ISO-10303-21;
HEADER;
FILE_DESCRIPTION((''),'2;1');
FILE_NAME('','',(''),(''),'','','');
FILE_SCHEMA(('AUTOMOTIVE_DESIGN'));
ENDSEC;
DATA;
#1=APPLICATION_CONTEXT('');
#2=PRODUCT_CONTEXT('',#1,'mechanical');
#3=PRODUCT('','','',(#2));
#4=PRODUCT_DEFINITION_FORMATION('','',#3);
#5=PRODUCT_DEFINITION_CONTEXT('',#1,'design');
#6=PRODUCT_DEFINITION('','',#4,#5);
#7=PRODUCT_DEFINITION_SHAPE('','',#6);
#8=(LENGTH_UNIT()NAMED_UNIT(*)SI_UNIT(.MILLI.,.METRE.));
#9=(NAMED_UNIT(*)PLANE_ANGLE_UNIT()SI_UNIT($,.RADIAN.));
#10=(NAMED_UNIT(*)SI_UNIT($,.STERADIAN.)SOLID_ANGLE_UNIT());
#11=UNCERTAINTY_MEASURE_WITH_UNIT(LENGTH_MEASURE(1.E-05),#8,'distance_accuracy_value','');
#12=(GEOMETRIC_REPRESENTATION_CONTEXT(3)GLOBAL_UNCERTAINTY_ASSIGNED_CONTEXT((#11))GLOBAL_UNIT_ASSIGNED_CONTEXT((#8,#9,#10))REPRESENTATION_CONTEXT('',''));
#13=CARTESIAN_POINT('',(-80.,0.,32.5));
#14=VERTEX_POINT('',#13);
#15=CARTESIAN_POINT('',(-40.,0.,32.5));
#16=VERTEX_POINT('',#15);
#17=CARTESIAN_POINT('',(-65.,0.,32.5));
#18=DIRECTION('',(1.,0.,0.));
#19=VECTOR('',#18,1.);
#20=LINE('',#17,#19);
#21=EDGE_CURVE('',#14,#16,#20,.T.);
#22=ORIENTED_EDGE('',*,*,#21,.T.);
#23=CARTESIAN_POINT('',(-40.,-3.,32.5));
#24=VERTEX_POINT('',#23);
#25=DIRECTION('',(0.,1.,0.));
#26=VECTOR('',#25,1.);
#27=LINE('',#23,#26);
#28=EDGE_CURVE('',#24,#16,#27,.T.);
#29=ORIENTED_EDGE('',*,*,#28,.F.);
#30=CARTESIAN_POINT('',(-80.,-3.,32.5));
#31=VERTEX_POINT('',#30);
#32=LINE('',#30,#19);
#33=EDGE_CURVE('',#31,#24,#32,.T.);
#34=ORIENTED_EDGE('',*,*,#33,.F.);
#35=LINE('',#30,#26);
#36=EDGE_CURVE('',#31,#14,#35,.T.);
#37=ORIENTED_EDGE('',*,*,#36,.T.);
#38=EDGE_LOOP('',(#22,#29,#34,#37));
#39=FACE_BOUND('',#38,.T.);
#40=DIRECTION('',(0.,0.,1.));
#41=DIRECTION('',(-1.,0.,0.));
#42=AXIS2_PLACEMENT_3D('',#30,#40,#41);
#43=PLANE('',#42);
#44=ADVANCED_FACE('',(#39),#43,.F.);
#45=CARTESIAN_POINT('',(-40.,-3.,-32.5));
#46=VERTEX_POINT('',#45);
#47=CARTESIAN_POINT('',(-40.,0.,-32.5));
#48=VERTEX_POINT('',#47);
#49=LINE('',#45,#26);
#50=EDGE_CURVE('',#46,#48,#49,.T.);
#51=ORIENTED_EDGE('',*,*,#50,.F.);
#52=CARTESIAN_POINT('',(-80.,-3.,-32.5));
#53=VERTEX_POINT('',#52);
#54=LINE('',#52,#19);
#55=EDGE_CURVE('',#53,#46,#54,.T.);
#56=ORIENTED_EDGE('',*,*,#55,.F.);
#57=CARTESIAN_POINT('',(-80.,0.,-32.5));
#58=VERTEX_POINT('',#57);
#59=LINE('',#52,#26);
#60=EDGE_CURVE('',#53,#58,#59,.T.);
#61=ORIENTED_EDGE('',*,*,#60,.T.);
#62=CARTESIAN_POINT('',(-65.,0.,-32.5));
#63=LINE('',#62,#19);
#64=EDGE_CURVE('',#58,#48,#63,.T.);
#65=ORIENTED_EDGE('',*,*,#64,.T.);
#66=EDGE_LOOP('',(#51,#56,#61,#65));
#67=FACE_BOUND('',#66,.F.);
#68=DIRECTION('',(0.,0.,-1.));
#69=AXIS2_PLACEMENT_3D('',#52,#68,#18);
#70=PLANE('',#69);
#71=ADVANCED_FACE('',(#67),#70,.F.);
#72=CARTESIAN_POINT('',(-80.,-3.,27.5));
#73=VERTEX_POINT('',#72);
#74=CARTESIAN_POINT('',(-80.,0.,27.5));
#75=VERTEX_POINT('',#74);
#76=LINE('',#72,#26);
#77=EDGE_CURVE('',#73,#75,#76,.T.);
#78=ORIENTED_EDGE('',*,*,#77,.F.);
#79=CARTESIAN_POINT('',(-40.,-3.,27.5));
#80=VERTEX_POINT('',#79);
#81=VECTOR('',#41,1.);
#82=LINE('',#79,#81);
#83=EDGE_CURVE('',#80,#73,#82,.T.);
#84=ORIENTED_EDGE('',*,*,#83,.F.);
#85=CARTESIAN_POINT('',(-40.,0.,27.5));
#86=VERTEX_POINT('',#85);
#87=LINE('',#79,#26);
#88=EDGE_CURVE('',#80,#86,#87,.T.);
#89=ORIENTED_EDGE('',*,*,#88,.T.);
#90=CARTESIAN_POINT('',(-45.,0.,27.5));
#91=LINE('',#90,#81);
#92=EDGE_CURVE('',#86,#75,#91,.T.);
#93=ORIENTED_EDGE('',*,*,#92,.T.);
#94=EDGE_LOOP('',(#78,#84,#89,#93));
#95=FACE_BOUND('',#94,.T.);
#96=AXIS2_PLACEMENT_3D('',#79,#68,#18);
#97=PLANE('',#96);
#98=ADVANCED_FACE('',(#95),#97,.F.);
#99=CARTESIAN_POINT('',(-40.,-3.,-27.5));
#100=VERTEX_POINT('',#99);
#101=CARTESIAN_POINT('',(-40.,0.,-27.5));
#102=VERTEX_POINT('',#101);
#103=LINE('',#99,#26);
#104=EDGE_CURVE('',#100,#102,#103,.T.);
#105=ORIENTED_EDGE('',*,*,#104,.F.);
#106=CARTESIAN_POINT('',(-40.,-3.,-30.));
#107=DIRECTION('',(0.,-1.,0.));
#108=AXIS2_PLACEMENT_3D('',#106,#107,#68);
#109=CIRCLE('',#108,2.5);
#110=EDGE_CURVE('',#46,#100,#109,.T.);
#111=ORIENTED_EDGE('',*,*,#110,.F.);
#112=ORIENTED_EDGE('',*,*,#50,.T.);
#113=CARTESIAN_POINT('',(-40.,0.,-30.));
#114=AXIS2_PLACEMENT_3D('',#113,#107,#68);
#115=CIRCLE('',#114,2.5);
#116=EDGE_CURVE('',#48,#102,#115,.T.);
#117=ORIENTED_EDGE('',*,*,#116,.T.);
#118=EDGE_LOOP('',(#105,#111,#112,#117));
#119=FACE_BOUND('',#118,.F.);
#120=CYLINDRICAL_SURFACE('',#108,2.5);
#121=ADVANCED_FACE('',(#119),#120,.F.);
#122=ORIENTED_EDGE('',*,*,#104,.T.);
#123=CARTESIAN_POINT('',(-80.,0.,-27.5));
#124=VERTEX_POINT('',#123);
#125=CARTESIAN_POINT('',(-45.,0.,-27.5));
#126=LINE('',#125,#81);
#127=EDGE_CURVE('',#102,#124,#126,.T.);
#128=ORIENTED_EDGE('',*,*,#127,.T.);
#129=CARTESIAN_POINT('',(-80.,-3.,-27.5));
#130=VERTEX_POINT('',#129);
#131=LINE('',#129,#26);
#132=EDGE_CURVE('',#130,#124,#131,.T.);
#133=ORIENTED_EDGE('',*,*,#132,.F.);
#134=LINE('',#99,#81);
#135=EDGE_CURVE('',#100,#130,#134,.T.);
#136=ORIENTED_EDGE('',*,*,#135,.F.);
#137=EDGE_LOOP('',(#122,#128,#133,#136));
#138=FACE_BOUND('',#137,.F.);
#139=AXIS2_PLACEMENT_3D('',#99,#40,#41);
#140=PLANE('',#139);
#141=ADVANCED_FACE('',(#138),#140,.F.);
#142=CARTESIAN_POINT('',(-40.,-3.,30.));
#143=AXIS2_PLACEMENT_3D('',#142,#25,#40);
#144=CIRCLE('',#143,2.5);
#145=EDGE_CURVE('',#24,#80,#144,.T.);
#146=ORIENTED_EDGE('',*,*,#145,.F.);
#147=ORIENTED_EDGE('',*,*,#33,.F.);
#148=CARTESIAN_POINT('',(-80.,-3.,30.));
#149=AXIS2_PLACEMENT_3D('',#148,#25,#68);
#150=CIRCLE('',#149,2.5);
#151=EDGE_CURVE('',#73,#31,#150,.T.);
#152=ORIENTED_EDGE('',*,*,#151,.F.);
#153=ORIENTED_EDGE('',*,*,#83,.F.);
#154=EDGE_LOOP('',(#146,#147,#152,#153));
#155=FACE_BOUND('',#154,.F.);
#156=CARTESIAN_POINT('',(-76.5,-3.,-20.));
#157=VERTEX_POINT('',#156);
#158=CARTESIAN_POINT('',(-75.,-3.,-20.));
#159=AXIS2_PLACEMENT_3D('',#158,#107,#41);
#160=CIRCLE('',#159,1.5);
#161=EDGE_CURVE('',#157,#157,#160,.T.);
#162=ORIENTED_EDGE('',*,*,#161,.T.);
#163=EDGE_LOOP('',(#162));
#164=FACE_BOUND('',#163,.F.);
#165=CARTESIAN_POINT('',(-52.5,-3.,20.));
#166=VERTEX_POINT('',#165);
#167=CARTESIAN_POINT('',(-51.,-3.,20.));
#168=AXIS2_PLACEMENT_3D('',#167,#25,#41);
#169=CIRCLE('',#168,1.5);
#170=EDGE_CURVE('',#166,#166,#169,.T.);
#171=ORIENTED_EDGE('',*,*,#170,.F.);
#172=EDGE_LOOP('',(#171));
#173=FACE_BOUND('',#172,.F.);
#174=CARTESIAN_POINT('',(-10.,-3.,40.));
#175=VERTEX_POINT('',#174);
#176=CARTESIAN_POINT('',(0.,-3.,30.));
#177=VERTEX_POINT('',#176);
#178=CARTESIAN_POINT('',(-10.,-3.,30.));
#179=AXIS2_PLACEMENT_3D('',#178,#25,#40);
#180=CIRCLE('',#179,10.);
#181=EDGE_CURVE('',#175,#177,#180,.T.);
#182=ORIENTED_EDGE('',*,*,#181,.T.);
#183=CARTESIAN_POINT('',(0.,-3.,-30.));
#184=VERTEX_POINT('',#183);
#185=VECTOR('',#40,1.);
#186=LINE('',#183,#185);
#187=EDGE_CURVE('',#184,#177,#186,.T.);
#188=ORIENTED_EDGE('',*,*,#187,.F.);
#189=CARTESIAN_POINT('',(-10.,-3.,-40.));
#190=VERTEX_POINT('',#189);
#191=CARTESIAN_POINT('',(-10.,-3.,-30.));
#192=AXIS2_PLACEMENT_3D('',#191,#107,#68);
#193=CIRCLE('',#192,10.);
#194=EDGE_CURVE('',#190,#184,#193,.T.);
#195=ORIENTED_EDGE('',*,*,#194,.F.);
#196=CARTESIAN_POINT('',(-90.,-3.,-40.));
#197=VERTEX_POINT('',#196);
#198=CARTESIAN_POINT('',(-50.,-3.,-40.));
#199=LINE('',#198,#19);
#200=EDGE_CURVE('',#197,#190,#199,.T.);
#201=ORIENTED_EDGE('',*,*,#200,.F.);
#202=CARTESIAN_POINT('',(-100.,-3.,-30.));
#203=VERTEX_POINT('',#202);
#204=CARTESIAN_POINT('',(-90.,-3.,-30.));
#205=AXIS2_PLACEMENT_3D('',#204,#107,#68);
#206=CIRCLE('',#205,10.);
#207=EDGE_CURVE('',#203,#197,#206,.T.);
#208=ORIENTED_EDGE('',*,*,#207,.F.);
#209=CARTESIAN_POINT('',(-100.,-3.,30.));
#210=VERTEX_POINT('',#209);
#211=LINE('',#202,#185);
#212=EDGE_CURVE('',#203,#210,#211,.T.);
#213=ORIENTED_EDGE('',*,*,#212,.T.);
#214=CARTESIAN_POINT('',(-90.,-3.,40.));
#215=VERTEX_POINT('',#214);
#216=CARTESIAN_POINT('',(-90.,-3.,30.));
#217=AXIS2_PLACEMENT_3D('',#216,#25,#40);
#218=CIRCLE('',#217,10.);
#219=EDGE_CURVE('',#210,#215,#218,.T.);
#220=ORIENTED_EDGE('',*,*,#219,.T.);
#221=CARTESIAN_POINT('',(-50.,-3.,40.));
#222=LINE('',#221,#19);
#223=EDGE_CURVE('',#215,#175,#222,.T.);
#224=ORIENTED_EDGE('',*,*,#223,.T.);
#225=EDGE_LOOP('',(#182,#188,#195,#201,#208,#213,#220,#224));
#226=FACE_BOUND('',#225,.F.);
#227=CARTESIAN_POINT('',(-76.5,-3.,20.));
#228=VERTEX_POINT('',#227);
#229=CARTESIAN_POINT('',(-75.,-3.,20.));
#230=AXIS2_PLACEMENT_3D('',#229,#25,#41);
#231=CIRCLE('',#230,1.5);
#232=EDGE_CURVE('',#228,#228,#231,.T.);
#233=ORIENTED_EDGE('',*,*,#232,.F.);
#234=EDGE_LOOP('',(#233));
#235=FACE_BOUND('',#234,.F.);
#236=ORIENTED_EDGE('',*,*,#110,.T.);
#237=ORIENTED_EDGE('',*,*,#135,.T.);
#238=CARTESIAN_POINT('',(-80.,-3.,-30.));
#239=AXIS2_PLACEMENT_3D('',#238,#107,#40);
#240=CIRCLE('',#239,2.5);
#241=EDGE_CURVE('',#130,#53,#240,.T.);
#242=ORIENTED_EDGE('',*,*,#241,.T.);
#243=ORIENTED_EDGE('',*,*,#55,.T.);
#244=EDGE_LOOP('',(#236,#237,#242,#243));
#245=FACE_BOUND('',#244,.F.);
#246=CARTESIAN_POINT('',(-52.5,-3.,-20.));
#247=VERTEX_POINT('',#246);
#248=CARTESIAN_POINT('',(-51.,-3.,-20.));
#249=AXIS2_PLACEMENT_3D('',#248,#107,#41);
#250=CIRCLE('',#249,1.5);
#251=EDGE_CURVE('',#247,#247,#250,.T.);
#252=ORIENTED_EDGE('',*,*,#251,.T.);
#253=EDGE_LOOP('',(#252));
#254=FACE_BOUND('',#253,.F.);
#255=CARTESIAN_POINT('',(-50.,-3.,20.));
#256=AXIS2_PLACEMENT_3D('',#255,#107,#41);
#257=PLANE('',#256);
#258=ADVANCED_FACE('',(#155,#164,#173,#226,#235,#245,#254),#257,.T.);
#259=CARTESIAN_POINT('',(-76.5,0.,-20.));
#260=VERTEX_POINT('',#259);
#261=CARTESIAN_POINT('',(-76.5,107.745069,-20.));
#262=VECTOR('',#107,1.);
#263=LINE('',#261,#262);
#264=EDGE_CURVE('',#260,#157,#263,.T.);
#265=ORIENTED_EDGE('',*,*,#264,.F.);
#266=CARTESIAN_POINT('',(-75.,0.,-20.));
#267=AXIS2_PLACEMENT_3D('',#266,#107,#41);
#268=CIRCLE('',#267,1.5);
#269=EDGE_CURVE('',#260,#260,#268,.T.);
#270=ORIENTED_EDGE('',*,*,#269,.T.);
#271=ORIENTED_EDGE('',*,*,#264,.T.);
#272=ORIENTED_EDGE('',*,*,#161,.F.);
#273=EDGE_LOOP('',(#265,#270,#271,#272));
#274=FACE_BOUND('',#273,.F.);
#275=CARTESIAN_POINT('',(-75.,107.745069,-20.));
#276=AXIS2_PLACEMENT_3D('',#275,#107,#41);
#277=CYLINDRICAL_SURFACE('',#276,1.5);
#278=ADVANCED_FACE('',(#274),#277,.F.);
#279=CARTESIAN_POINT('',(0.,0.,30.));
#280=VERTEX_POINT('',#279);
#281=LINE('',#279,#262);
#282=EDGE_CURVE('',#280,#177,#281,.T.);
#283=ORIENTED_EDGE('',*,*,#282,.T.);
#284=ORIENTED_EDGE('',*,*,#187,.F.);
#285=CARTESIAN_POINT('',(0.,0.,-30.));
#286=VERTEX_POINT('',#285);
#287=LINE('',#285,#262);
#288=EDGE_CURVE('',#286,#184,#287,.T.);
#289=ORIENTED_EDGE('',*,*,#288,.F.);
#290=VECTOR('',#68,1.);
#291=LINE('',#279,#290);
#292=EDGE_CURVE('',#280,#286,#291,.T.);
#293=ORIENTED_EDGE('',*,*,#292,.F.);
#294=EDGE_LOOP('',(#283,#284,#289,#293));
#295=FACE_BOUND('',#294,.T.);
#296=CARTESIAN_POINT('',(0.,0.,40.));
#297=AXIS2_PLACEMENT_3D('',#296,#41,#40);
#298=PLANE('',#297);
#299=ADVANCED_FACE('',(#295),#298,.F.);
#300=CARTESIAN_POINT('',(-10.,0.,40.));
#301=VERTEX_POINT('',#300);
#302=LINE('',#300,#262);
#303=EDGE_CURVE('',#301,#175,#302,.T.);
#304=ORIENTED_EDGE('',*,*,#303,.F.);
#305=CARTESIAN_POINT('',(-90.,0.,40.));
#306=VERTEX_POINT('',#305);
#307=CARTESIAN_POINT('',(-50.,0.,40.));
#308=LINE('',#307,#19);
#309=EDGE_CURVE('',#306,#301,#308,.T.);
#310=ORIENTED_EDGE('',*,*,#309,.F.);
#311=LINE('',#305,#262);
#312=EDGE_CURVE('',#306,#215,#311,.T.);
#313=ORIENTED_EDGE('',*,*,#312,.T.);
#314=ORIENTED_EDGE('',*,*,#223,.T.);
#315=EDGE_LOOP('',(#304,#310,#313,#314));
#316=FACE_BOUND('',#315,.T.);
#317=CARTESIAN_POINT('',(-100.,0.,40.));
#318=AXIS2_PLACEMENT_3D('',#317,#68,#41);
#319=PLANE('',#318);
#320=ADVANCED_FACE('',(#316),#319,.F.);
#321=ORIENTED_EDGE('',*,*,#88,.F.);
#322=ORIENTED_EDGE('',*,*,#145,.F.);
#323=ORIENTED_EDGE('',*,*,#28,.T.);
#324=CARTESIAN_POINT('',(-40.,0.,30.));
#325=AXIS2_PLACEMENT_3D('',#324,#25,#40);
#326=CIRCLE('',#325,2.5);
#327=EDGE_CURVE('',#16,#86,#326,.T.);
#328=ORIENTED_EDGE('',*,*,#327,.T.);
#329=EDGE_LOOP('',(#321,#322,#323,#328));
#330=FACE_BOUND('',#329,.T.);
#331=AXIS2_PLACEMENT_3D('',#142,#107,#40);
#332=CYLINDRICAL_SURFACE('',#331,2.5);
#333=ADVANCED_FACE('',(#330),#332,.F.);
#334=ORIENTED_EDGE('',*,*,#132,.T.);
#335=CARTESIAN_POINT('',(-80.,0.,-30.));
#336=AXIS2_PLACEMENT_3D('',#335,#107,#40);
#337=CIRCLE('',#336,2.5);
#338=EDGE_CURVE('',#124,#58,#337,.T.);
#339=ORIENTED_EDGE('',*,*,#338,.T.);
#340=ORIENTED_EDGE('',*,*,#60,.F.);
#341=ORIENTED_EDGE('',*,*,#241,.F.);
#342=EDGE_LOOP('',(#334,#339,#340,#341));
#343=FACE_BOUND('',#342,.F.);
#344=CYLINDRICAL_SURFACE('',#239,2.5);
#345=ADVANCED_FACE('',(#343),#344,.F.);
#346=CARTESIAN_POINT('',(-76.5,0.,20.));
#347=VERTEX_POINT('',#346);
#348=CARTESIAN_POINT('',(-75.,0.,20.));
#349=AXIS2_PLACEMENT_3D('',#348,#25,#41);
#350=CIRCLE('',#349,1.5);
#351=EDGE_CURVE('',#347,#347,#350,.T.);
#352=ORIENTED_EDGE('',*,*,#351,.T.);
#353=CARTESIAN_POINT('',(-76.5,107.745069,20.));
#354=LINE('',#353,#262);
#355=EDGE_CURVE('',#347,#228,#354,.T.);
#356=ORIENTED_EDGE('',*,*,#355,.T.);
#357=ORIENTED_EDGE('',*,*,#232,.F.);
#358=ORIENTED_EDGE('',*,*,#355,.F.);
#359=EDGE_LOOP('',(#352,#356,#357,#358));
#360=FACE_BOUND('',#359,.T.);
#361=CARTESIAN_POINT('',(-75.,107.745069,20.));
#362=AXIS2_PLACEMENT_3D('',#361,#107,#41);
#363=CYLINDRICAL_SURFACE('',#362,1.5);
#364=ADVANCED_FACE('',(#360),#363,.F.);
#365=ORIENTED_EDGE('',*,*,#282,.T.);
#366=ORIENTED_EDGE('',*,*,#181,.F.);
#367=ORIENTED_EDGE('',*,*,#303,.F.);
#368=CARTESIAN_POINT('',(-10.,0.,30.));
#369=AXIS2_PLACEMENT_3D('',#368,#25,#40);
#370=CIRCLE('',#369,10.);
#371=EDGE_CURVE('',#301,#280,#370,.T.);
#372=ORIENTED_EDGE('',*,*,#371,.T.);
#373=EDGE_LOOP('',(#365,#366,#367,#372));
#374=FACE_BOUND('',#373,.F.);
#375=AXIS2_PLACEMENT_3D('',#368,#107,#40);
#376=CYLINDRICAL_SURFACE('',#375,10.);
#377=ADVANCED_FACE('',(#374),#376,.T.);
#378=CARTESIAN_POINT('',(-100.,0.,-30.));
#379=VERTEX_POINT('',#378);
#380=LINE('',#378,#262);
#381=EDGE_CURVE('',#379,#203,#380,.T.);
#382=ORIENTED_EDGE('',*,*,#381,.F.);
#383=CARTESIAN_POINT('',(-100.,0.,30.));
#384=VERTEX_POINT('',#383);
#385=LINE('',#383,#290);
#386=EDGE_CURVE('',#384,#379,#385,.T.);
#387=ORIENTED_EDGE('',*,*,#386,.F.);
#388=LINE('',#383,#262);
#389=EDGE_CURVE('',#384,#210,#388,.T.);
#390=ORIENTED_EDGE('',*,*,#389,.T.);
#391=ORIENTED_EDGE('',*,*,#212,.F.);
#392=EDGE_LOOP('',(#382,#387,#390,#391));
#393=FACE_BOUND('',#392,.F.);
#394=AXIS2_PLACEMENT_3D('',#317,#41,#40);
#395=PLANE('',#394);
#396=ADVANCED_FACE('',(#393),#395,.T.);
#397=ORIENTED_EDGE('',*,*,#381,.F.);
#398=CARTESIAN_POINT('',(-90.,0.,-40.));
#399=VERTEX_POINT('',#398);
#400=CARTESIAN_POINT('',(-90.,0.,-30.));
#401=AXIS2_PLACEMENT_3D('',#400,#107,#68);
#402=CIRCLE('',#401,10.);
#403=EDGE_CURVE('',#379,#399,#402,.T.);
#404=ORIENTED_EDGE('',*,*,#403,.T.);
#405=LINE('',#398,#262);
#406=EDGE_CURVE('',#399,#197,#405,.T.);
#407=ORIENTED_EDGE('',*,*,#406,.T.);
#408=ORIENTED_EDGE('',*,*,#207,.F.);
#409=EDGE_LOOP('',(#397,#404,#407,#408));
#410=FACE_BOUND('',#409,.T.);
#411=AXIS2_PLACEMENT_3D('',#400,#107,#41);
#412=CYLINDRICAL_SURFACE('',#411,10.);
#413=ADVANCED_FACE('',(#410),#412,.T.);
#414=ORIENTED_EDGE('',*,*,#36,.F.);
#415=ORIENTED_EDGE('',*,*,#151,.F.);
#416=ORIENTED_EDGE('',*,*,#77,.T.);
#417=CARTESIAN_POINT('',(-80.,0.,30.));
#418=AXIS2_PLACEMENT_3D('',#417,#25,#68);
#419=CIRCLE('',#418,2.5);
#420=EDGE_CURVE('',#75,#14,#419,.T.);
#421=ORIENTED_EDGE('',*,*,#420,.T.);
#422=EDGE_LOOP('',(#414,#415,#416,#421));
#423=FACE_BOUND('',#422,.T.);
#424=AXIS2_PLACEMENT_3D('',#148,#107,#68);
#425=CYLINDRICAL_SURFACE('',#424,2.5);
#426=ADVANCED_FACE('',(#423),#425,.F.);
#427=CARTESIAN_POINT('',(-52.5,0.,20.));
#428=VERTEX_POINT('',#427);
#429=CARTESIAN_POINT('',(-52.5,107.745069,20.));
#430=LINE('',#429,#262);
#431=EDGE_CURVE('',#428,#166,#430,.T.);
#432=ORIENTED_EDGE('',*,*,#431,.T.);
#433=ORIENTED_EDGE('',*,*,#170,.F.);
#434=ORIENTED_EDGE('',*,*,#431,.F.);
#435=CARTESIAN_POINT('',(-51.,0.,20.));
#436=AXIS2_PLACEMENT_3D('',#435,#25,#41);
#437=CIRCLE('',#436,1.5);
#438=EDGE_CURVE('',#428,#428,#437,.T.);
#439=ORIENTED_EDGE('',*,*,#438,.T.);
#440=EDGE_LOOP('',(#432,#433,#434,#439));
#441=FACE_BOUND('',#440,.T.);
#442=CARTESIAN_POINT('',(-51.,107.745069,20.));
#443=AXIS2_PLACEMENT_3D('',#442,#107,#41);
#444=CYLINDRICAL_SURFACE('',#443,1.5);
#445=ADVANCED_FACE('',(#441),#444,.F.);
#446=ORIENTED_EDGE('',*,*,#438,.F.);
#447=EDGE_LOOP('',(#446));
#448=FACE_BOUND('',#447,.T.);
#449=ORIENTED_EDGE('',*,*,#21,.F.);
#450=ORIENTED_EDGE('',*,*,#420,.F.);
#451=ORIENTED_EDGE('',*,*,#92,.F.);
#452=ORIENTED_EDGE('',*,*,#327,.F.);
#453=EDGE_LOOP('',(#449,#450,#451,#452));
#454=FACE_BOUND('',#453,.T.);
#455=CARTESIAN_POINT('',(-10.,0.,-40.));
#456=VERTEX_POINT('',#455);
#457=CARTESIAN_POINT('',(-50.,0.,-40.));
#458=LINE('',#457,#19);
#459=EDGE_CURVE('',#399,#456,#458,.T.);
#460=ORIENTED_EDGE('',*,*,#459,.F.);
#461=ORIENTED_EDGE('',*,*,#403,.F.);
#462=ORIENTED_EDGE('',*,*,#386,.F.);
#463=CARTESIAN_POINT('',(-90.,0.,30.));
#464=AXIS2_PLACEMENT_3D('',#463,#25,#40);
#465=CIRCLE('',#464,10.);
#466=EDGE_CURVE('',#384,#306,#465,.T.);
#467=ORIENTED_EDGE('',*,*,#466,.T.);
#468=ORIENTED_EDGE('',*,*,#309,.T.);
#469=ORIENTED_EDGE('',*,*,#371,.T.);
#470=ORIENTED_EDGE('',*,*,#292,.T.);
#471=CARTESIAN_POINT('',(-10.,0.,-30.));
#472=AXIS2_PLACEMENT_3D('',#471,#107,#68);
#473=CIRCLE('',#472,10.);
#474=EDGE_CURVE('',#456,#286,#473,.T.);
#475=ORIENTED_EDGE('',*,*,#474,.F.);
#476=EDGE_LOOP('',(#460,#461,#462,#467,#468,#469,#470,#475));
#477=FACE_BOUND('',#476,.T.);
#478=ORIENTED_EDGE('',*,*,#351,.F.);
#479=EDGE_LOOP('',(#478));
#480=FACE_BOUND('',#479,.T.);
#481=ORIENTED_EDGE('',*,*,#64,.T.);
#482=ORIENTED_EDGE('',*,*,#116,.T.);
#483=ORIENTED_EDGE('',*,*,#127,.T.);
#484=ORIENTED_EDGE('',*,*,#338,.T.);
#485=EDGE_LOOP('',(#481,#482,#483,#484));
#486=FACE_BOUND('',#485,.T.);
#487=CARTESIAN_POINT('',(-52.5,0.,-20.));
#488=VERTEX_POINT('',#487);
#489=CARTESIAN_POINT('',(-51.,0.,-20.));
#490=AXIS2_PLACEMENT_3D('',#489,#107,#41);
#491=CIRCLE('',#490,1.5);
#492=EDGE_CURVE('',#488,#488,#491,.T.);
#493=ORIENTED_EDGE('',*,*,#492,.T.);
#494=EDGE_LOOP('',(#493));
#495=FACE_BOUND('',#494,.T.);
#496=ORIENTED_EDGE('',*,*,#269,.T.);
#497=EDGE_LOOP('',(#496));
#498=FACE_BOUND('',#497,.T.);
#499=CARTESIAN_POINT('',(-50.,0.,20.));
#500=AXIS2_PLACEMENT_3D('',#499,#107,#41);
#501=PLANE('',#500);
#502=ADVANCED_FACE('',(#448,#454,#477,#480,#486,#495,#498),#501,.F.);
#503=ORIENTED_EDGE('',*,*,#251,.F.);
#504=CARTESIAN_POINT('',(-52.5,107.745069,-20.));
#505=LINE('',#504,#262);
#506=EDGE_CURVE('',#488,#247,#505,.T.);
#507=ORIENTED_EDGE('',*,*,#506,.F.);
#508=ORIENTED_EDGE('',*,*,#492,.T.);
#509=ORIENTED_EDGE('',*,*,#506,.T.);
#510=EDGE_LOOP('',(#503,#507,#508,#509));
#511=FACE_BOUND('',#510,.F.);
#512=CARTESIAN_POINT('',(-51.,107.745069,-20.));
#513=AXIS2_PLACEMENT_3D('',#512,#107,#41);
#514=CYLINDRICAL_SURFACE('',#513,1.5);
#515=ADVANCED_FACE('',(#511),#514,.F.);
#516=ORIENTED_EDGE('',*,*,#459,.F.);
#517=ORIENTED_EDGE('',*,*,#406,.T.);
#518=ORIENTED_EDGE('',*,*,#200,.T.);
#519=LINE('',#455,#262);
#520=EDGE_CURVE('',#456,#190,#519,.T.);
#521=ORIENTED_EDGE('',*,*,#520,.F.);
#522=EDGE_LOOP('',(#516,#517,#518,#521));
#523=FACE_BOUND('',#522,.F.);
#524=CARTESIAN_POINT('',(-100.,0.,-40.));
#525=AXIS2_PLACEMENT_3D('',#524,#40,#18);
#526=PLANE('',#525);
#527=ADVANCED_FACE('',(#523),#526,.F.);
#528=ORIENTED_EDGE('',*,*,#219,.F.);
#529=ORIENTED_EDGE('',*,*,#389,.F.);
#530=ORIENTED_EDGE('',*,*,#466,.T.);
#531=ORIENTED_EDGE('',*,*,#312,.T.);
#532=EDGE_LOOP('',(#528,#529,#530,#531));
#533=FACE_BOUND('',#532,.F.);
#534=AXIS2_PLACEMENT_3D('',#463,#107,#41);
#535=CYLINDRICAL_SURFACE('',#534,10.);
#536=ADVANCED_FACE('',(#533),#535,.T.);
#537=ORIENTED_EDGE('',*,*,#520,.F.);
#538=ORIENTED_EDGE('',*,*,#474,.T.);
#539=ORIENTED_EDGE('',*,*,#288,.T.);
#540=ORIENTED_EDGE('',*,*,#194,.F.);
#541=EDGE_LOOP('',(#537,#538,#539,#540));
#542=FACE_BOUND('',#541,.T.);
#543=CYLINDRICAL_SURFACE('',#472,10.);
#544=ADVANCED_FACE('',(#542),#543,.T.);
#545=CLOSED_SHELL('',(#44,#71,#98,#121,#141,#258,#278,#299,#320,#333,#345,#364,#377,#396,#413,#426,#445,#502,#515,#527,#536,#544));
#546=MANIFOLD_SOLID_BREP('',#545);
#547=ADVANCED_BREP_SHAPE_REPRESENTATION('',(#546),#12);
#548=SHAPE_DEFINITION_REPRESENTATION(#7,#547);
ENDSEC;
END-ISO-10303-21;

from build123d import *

# Parameters (mm, degrees)
F0_W     = 100
F0_H     = 40
F1_DEPTH = 3
F3_D     = 3
F7_DEPTH = 25
F8_R     = 10


with BuildPart() as f1:
    # F0 (on Front) → F1 (new body)
    with BuildSketch(Plane.XZ):
        with Locations((-50, -20)):
            Rectangle(F0_W, F0_H)
    extrude(amount=F1_DEPTH)

    # F3 (through all)
    with Locations(Plane(origin=(0, 0, 0), x_dir=(1, 0, 0), z_dir=(0, 1, 0))):
        with Locations((-51, 20), (-75, 20)):
            Hole(F3_D / 2)

    # F6 (on face) → F7 (cut)
    with BuildSketch(Plane.XZ.offset(3)):
        with BuildLine():
            ThreePointArc((-80, -27.5), (-82.5, -30), (-80, -32.5))
            Line((-80, -32.5), (-40, -32.5))
            ThreePointArc((-40, -32.5), (-37.5, -30), (-40, -27.5))
            Line((-40, -27.5), (-80, -27.5))
        make_face()
    extrude(amount=-F7_DEPTH, mode=Mode.SUBTRACT)

    # F8
    f8_edges = [f1.edges().sort_by_distance(p)[0] for p in [
        (-100, -1.5, -40),
        (0, -1.5, -40),
    ]]
    fillet(f8_edges, radius=F8_R)

    # F9: F1 across plane


with BuildPart() as f1_1:
    add(f1.part)
    add(f1.part.mirror(Plane.XY))


solid = f1_1.part
